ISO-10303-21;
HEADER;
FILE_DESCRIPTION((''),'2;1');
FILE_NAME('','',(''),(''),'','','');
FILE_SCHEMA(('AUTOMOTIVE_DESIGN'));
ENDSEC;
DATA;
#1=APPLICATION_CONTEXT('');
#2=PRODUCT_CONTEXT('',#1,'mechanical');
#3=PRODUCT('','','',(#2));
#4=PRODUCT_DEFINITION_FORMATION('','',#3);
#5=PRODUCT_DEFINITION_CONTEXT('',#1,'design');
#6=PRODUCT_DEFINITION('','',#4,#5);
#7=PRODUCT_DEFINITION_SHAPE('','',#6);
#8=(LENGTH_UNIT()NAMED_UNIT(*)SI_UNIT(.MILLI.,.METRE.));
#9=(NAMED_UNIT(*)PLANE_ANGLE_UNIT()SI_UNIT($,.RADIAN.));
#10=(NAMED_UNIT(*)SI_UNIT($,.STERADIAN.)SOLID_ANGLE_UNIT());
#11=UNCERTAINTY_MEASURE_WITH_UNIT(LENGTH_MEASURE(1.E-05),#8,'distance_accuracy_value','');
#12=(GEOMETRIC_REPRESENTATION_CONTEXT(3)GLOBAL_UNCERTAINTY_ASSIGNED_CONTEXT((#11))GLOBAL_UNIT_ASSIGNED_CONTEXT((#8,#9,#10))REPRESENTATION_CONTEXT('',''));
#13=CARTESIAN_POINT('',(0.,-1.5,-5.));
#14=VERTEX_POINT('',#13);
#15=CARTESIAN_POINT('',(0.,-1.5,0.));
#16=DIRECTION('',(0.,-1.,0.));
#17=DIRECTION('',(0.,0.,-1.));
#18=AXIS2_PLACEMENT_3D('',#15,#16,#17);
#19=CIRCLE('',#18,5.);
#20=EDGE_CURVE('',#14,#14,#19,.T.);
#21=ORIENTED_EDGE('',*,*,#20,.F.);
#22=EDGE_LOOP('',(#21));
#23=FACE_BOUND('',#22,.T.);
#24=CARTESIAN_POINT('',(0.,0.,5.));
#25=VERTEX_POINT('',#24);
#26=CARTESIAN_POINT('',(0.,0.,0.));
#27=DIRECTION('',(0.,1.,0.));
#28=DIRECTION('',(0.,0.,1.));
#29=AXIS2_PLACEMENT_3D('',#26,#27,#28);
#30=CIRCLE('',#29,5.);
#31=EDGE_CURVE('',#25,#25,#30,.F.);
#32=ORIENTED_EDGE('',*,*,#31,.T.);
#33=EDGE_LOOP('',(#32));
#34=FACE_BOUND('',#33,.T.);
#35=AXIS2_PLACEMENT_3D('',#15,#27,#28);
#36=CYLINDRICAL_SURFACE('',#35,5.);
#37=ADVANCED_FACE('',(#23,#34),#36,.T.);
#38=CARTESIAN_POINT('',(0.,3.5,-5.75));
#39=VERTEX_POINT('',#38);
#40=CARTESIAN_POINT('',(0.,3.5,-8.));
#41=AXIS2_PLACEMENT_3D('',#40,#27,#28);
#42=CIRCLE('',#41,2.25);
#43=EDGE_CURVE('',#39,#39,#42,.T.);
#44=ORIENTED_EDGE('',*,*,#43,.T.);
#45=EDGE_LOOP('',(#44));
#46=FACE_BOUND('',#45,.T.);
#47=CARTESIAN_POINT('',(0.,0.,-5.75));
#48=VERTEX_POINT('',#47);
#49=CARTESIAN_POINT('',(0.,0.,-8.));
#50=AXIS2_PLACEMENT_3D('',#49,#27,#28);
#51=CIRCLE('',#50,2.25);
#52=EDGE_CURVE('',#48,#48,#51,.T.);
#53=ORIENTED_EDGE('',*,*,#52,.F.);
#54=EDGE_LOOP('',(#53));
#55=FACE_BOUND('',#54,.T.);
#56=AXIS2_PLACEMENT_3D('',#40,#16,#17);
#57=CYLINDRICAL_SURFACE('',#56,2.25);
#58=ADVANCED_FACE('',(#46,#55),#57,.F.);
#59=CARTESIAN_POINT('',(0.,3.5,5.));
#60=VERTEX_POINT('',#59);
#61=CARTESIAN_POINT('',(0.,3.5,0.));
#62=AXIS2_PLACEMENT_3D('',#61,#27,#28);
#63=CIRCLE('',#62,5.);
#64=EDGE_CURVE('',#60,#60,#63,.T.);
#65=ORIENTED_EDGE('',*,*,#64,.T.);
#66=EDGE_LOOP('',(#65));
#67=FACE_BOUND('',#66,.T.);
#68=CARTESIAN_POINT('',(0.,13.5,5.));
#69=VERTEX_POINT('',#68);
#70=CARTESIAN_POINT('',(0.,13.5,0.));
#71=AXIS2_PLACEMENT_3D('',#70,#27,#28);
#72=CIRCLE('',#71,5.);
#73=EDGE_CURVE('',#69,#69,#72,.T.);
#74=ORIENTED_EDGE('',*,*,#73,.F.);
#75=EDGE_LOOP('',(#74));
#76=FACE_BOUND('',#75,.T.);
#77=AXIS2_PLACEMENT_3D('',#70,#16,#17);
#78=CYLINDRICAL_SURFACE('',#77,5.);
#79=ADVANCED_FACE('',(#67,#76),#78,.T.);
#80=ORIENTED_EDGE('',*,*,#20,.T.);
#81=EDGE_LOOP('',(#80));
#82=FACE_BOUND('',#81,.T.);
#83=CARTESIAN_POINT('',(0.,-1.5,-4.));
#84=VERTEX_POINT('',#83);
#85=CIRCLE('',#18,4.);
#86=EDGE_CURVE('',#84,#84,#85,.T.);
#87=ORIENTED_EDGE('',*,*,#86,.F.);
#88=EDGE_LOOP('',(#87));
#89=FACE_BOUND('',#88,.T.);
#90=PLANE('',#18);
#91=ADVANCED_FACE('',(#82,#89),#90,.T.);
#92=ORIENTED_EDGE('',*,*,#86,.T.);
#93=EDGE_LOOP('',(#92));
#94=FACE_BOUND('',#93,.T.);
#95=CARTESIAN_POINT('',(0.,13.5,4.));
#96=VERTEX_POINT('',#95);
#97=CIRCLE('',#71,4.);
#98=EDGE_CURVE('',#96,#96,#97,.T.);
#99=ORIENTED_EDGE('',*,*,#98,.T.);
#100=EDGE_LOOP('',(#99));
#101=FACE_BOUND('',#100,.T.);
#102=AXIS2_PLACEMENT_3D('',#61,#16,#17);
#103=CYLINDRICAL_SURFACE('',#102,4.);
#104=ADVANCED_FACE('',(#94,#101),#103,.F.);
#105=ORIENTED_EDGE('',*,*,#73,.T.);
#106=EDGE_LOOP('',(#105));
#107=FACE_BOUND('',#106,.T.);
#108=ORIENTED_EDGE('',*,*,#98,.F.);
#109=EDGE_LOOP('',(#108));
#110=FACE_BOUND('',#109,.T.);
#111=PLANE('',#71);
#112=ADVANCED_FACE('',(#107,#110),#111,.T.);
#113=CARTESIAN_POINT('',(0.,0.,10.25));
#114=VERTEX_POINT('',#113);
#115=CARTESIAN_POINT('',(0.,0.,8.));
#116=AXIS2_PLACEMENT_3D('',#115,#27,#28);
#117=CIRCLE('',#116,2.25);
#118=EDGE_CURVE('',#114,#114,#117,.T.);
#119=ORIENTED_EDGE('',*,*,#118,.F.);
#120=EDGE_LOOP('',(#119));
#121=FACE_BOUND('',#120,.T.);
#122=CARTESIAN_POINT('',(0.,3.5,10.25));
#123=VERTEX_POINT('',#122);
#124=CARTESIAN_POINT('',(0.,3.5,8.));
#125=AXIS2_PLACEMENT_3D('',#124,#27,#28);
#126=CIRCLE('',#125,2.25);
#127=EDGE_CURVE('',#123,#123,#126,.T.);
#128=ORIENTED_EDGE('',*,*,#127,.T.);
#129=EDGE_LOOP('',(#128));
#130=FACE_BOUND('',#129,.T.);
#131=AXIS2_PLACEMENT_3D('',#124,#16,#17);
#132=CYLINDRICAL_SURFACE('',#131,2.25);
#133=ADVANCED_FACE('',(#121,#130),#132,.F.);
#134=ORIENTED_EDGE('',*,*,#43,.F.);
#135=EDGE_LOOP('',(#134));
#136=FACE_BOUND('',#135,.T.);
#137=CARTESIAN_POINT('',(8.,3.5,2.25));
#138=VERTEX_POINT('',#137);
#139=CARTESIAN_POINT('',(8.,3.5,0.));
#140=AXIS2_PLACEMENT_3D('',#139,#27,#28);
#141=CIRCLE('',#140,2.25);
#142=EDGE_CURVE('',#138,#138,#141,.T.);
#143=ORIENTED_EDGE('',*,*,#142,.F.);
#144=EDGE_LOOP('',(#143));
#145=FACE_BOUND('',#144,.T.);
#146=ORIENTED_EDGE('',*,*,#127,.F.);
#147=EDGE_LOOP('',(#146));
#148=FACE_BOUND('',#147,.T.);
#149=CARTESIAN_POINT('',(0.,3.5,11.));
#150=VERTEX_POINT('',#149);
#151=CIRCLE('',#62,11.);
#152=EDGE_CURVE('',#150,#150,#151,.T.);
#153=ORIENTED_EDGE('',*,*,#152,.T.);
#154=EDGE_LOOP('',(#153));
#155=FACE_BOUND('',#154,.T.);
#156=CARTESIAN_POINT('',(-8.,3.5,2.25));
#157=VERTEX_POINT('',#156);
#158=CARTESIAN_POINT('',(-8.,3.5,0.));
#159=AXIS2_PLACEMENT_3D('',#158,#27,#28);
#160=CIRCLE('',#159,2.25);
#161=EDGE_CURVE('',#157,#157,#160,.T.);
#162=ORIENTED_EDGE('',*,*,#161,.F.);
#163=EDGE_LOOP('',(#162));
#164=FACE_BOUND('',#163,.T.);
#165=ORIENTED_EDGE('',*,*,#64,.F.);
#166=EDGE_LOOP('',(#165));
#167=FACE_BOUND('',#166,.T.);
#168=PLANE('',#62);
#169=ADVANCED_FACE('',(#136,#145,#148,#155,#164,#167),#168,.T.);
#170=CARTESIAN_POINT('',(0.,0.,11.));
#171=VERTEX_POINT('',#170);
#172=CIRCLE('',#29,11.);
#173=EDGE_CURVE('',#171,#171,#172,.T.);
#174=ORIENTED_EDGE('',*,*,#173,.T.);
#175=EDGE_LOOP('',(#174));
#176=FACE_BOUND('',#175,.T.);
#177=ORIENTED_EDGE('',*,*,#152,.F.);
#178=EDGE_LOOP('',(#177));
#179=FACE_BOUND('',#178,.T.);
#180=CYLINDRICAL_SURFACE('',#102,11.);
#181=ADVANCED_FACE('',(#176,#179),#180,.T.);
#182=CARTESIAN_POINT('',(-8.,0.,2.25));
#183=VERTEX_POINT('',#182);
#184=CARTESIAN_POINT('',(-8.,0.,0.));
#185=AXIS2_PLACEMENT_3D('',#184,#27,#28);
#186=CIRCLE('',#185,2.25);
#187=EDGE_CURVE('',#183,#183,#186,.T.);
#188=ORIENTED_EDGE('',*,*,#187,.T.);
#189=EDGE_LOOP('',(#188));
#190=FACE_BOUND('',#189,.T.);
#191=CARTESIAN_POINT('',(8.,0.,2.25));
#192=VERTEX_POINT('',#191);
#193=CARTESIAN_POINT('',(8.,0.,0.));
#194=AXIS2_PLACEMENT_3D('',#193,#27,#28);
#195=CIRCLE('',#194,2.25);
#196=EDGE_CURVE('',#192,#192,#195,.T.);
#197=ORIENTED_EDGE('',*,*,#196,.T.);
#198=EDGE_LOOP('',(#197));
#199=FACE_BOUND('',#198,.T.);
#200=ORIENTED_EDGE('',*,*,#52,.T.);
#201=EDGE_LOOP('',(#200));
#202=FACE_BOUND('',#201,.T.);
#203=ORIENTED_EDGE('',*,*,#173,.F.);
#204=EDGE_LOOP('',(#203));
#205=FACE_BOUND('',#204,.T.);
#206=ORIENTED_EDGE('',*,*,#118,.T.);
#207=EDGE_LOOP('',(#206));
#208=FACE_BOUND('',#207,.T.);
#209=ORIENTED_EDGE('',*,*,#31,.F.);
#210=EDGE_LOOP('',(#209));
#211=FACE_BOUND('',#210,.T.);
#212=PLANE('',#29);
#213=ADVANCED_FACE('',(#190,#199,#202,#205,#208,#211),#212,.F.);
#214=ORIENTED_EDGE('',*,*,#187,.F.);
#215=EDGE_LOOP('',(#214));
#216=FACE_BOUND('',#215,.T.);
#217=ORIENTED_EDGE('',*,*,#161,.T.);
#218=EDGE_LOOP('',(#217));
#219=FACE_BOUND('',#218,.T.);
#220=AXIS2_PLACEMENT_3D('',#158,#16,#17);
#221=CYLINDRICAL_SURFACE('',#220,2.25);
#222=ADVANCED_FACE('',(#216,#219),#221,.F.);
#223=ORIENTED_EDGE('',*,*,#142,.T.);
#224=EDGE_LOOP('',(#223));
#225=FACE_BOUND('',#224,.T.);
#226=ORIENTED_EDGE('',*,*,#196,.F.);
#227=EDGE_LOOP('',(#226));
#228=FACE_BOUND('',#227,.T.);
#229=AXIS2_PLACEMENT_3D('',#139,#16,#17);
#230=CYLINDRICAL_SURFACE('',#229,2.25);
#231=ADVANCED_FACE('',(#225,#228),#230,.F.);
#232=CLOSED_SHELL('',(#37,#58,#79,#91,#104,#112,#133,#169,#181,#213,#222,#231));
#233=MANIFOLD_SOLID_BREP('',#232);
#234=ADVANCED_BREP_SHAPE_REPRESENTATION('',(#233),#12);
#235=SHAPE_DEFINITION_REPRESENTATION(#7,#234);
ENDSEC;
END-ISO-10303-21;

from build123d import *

# Parameters (mm, degrees)
SKETCH1_R           = 11
SKETCH1_R_2         = 2.25
SKETCH1_R_3         = 4
BOSS_EXTRUDE1_DEPTH = 3.5
SKETCH2_R           = 5
SKETCH2_R_2         = 4
BOSS_EXTRUDE2_DEPTH = 10
BOSS_EXTRUDE3_START = 1.5
SKETCH3_R           = 5
SKETCH3_R_2         = 4
BOSS_EXTRUDE3_DEPTH = 1.5


with BuildPart() as part:
    # Sketch1 → Boss-Extrude1 (new body)
    with BuildSketch(Plane(origin=(0, 0, 0), x_dir=(1, 0, 0), z_dir=(0, 1, 0))):
        with Locations(Location((0, 0, 0), (0, 0, 270))):
            Circle(SKETCH1_R)
        with Locations(Location((0, 8, 0), (0, 0, 270))):
            Circle(SKETCH1_R_2, mode=Mode.SUBTRACT)
        with Locations(Location((8, 0, 0), (0, 0, 270))):
            Circle(SKETCH1_R_2, mode=Mode.SUBTRACT)
        with Locations(Location((0, -8, 0), (0, 0, 270))):
            Circle(SKETCH1_R_2, mode=Mode.SUBTRACT)
        with Locations(Location((-8, 0, 0), (0, 0, 270))):
            Circle(SKETCH1_R_2, mode=Mode.SUBTRACT)
        with Locations(Location((0, 0, 0), (0, 0, 270))):
            Circle(SKETCH1_R_3, mode=Mode.SUBTRACT)
    extrude(amount=BOSS_EXTRUDE1_DEPTH)

    # Sketch2 → Boss-Extrude2 (add)
    with BuildSketch(Plane(origin=(0, 3.5, 0), x_dir=(1, 0, 0), z_dir=(0, 1, 0))):
        with Locations(Location((0, 0, 0), (0, 0, 270))):
            Circle(SKETCH2_R)
        with Locations(Location((0, 0, 0), (0, 0, 270))):
            Circle(SKETCH2_R_2, mode=Mode.SUBTRACT)
    extrude(amount=BOSS_EXTRUDE2_DEPTH)

    # Sketch3 → Boss-Extrude3 (add)
    with BuildSketch(Plane.XZ.offset(BOSS_EXTRUDE3_START)):
        with Locations(Location((0, 0, 0), (0, 0, 90))):
            Circle(SKETCH3_R)
        with Locations(Location((0, 0, 0), (0, 0, 270))):
            Circle(SKETCH3_R_2, mode=Mode.SUBTRACT)
    extrude(amount=-BOSS_EXTRUDE3_DEPTH)


solid = part.part
